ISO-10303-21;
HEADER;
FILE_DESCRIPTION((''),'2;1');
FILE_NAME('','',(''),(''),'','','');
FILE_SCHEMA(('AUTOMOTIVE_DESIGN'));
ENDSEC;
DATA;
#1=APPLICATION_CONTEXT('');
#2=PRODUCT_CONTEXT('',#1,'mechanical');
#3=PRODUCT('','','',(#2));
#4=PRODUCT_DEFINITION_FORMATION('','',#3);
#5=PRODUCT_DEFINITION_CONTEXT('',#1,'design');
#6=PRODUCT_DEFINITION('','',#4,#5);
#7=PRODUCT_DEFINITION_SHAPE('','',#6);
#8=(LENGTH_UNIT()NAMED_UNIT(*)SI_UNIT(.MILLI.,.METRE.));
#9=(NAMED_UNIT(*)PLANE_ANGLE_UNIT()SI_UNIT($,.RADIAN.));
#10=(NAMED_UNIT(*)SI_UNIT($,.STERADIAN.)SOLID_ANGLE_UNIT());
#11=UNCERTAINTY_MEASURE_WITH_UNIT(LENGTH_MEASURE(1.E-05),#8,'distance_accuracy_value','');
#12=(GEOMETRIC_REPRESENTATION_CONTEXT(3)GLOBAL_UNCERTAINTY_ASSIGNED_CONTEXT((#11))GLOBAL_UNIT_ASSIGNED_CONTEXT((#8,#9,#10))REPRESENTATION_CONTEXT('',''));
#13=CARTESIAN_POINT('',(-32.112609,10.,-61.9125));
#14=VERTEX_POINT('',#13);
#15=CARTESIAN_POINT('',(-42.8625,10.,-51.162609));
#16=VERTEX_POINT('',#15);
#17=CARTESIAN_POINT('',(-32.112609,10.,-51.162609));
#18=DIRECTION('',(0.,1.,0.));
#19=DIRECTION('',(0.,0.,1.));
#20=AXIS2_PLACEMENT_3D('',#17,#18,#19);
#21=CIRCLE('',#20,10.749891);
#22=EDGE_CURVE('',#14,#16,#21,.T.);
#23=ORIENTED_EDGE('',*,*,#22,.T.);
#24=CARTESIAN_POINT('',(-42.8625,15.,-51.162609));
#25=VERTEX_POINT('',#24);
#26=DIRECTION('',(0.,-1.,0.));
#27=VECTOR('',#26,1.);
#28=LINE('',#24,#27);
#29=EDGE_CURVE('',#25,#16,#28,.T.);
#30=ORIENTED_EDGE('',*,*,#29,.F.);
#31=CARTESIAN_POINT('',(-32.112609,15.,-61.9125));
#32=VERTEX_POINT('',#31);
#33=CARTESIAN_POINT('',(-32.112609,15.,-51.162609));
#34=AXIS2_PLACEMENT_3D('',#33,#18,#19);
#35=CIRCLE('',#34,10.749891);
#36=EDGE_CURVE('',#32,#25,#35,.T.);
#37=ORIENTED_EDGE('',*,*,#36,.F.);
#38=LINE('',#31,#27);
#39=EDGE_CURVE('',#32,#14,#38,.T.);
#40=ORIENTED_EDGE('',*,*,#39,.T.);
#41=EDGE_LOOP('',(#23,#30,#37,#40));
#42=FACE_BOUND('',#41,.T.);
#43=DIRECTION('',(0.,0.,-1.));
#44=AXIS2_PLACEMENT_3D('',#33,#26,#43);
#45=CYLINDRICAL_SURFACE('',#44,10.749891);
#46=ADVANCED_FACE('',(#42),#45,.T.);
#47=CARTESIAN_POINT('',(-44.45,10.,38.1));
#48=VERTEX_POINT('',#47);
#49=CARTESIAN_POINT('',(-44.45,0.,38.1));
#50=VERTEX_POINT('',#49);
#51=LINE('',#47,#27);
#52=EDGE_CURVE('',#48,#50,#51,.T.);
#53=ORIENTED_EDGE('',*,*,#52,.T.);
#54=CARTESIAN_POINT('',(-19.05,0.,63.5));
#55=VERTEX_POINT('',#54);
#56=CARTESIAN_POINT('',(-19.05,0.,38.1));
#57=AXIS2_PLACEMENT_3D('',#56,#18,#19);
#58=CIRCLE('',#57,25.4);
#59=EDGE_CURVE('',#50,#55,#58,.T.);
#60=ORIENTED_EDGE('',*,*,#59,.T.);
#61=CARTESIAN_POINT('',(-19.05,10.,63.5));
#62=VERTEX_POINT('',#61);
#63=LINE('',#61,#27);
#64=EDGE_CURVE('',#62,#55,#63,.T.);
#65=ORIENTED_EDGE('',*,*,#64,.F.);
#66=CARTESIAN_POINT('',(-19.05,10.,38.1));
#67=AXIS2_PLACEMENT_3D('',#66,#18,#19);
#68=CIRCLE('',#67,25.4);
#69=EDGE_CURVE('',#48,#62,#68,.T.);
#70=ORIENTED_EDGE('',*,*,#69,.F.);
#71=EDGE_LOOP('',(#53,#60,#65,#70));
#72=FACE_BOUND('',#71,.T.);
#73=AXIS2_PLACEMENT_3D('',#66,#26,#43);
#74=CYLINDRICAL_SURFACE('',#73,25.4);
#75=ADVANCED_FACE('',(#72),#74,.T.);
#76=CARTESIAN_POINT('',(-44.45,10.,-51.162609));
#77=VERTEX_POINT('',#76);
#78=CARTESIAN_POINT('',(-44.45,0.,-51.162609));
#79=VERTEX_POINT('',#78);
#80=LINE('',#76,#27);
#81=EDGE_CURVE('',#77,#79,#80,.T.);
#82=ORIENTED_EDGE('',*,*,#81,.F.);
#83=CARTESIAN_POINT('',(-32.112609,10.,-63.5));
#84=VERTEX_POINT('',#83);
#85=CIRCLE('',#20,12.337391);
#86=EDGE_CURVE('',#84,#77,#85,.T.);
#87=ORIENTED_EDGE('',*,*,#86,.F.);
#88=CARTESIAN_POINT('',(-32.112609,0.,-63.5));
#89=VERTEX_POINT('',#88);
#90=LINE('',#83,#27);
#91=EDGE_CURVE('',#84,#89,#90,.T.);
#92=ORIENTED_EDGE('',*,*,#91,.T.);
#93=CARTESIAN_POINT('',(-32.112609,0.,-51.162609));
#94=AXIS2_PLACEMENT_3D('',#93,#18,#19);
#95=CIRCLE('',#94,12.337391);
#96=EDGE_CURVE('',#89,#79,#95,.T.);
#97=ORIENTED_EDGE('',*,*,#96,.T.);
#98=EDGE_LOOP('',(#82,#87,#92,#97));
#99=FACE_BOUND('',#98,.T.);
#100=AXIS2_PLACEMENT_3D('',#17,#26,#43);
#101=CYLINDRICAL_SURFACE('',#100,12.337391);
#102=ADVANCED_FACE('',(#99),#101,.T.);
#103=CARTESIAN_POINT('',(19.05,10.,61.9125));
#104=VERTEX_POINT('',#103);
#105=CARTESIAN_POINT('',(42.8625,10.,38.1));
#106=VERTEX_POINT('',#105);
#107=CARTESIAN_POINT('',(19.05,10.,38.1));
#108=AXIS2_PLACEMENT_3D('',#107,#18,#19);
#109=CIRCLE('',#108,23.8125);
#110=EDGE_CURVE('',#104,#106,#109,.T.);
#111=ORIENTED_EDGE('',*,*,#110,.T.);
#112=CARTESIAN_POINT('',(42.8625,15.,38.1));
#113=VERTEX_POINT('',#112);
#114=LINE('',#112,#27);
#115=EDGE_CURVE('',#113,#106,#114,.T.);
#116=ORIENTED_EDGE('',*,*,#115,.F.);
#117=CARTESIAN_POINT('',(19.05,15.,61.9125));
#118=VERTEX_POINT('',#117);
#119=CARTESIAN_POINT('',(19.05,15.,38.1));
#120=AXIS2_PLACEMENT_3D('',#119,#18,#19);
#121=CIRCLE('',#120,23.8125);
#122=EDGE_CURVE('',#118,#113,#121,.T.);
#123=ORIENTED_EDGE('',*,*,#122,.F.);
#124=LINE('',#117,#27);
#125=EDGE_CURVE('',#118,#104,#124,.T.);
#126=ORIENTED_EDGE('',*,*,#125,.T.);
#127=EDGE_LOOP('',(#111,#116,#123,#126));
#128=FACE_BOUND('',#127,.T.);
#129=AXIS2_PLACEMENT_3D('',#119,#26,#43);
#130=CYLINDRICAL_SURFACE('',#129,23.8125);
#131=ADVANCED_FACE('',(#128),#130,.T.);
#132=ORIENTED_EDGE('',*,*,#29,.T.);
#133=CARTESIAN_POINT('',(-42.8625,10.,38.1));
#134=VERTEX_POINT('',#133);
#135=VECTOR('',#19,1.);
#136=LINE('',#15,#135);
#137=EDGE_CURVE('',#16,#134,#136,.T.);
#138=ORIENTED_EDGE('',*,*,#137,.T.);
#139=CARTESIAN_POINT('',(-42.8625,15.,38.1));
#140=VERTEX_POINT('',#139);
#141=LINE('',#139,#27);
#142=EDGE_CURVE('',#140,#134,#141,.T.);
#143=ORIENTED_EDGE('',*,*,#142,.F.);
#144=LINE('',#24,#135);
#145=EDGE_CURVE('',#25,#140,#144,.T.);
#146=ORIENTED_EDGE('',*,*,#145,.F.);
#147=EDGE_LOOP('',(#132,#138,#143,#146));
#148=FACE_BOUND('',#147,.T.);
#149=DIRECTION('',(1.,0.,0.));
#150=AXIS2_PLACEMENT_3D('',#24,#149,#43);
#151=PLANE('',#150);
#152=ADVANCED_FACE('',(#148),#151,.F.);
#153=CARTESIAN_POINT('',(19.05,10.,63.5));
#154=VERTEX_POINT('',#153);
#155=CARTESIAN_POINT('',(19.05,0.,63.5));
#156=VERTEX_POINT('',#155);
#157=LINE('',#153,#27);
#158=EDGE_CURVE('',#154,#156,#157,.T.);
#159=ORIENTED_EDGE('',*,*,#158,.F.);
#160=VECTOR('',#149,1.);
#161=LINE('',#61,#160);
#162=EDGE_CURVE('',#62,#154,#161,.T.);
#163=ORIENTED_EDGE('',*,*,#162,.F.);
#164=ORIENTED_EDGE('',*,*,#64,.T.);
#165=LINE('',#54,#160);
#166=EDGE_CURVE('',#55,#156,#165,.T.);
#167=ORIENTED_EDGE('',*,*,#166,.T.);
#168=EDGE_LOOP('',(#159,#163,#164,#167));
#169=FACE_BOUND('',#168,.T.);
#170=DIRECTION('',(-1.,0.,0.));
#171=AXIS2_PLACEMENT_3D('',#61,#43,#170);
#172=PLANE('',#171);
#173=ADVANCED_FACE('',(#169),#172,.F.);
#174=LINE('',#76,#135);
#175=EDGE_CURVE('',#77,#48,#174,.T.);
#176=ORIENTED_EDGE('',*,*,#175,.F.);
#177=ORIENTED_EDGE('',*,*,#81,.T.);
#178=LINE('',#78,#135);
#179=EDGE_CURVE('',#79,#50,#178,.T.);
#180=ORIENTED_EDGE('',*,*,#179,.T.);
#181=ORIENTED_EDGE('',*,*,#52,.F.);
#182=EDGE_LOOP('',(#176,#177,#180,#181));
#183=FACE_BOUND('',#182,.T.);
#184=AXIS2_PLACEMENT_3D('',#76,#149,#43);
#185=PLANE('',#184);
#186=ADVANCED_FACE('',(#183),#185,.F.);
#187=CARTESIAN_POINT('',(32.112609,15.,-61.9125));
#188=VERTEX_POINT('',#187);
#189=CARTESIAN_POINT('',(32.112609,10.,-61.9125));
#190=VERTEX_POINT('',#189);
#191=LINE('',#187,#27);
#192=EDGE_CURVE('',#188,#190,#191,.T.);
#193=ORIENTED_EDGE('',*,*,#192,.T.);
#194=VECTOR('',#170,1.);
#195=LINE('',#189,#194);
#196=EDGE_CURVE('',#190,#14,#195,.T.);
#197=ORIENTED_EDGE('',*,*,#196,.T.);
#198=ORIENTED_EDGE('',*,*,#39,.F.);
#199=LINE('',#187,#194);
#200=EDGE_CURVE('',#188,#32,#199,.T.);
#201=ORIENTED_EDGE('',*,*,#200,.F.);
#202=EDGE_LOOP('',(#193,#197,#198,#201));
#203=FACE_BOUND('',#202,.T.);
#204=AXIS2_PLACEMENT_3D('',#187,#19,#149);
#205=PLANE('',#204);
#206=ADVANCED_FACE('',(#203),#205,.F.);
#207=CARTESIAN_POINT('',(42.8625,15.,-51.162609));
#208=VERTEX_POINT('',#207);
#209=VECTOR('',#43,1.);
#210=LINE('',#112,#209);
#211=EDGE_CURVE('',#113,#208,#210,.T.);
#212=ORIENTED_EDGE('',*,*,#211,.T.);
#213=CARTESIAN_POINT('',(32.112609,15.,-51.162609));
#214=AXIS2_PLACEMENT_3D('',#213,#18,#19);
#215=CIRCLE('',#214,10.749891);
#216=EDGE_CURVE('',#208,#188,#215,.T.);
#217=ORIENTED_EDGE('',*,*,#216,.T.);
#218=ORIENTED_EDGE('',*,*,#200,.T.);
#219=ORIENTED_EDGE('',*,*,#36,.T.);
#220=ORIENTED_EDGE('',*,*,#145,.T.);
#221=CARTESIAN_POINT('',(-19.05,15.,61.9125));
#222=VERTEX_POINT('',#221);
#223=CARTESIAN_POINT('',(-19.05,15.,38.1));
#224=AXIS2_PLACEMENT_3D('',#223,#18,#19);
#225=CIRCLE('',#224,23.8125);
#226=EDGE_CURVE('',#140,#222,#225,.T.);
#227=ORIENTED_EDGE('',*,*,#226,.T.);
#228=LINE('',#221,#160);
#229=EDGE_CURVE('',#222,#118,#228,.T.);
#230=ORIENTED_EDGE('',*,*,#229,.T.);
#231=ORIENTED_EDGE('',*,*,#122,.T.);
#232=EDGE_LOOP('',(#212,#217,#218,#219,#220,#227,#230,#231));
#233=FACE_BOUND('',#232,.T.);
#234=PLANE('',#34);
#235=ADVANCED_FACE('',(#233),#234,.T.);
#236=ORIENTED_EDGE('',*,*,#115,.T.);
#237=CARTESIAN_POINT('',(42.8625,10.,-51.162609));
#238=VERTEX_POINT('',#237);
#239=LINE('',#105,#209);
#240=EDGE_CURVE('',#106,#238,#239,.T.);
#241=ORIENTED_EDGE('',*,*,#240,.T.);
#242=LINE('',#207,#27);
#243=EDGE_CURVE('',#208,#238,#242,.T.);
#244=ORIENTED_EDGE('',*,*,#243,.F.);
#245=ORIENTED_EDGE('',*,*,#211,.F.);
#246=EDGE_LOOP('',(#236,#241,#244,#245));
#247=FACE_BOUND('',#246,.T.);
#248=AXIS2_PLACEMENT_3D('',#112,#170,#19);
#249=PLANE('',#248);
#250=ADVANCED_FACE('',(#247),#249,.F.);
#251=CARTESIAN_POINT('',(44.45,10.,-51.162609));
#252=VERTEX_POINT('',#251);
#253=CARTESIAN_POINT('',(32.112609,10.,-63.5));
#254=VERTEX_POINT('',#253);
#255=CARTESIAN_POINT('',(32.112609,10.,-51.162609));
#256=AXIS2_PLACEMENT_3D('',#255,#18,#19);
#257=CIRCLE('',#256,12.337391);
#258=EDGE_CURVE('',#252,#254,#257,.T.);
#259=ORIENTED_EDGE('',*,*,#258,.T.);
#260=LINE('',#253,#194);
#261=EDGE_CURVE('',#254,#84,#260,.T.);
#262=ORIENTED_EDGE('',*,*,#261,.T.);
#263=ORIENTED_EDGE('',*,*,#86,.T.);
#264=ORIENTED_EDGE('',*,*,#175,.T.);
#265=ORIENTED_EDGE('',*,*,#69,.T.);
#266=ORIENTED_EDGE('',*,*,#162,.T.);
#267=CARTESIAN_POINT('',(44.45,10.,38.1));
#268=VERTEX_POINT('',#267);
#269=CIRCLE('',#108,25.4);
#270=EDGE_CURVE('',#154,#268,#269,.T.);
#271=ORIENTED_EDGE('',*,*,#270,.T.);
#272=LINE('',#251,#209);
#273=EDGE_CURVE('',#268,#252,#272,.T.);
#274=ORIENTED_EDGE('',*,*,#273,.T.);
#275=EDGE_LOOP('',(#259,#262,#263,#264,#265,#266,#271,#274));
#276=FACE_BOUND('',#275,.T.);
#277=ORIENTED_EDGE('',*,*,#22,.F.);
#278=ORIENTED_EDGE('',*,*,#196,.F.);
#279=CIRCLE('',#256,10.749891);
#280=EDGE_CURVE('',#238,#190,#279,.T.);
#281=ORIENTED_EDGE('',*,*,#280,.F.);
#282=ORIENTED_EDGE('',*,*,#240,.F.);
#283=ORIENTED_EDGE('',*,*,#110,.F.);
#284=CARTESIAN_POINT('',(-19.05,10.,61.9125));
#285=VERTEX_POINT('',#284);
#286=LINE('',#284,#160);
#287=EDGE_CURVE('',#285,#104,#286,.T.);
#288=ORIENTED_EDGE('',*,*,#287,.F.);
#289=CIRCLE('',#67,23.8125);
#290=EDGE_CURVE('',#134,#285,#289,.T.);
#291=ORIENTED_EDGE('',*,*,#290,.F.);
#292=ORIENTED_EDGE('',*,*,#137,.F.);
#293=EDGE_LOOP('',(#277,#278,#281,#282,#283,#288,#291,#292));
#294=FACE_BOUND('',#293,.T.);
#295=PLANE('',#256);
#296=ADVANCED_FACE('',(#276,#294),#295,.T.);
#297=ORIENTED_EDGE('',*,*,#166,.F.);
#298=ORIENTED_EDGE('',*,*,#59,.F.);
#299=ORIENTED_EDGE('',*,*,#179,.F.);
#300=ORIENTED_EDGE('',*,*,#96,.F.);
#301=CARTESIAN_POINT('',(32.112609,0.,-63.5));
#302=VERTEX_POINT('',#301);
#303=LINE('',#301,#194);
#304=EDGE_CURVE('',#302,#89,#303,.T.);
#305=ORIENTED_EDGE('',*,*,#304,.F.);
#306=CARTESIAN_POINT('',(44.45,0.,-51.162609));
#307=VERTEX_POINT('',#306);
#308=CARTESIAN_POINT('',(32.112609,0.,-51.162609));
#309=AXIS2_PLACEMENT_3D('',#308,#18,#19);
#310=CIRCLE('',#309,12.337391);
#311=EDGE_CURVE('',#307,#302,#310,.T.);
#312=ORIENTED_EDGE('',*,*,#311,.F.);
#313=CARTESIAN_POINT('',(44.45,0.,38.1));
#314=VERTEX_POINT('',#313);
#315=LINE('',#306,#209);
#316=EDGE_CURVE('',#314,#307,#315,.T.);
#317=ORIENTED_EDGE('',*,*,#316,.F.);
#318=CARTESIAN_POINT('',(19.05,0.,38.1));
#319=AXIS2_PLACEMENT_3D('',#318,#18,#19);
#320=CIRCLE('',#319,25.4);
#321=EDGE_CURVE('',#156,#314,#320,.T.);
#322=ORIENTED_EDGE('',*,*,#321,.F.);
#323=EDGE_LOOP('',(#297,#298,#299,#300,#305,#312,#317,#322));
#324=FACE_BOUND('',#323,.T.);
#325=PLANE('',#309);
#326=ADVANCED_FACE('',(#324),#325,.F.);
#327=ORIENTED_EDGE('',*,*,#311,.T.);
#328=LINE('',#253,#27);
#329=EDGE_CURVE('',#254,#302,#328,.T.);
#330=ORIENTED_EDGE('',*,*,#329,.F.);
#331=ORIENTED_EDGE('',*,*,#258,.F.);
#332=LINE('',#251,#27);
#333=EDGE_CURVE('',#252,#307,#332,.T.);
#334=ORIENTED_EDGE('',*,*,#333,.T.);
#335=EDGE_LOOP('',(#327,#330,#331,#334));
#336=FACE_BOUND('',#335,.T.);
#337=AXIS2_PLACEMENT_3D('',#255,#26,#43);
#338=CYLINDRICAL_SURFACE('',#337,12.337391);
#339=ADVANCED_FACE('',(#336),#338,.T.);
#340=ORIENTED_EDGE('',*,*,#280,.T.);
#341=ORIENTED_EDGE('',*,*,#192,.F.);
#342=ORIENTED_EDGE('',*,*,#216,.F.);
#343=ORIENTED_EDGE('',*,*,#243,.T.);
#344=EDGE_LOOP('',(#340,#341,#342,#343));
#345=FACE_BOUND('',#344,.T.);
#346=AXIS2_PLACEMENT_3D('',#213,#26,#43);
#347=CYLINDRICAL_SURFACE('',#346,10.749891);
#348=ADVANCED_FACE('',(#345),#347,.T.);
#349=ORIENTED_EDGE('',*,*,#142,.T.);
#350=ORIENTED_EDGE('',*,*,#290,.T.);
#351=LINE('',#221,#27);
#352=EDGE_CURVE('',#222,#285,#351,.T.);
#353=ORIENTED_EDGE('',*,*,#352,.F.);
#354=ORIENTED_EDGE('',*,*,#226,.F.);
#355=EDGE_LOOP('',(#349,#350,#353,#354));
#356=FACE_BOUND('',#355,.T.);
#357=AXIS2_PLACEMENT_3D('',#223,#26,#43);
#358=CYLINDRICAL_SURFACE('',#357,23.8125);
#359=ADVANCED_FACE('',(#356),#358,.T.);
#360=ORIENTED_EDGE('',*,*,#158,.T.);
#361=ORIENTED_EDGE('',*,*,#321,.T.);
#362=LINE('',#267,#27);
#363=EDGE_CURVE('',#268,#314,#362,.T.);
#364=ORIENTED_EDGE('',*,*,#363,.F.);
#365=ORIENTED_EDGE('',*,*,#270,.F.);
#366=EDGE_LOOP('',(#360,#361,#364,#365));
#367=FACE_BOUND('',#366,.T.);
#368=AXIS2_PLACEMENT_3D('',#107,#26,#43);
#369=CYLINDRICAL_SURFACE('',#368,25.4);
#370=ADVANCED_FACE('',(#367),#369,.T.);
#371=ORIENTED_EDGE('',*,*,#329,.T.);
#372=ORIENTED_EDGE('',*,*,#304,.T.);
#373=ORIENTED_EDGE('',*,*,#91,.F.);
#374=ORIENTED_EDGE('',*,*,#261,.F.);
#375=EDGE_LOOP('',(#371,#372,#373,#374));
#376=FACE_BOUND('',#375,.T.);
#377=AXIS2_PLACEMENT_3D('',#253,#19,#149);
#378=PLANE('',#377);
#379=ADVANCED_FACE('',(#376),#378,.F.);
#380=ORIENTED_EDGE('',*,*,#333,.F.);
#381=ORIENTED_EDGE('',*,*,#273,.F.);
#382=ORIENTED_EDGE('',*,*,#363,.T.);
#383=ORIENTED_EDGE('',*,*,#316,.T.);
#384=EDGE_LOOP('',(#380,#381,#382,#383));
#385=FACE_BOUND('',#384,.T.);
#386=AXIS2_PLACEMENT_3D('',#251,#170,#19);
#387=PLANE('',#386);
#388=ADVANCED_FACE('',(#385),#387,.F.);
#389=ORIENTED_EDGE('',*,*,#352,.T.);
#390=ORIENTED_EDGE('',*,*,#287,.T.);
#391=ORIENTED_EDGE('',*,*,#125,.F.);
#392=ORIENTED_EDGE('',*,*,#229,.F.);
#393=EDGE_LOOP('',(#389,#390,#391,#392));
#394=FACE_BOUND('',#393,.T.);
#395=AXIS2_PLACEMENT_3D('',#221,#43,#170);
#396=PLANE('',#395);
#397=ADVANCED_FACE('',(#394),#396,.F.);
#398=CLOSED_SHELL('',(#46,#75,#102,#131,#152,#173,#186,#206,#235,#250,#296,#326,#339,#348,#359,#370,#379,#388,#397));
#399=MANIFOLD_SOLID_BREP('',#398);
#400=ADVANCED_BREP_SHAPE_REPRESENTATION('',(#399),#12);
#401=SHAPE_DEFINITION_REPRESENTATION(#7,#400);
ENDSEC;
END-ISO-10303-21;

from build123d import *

# Parameters (mm, degrees)
BOSS_EXTRUDE1_DEPTH = 10
BOSS_EXTRUDE2_DEPTH = 5


with BuildPart() as part:
    # Sketch1 → Boss-Extrude1 (new body)
    with BuildSketch(Plane(origin=(0, 0, 0), x_dir=(1, 0, 0), z_dir=(0, 1, 0))):
        with BuildLine():
            Line((32.11260948, 63.5), (-32.11260948, 63.5))
            ThreePointArc((-32.11260948, 63.5), (-40.836461979, 59.886461979), (-44.45, 51.16260948))
            Line((-44.45, 51.16260948), (-44.45, -38.1))
            ThreePointArc((-44.45, -38.1), (-37.010512242, -56.060512242), (-19.05, -63.5))
            Line((-19.05, -63.5), (19.05, -63.5))
            ThreePointArc((19.05, -63.5), (37.010512242, -56.060512242), (44.45, -38.1))
            Line((44.45, -38.1), (44.45, 51.16260948))
            ThreePointArc((44.45, 51.16260948), (40.836461979, 59.886461979), (32.11260948, 63.5))
        make_face()
    extrude(amount=BOSS_EXTRUDE1_DEPTH)

    # Sketch2 → Boss-Extrude2 (add)
    with BuildSketch(Plane(origin=(0, 10, 0), x_dir=(1, 0, 0), z_dir=(0, 1, 0))):
        with BuildLine():
            Line((-42.8625, 51.16260948), (-42.8625, -38.1))
            ThreePointArc((-42.8625, -38.1), (-35.887980227, -54.937980227), (-19.05, -61.9125))
            Line((-19.05, -61.9125), (19.05, -61.9125))
            ThreePointArc((19.05, -61.9125), (35.887980227, -54.937980227), (42.8625, -38.1))
            Line((42.8625, -38.1), (42.8625, 51.16260948))
            ThreePointArc((42.8625, 51.16260948), (39.713929964, 58.763929964), (32.11260948, 61.9125))
            Line((32.11260948, 61.9125), (-32.11260948, 61.9125))
            ThreePointArc((-32.11260948, 61.9125), (-39.713929964, 58.763929964), (-42.8625, 51.16260948))
        make_face()
    extrude(amount=BOSS_EXTRUDE2_DEPTH)


solid = part.part
